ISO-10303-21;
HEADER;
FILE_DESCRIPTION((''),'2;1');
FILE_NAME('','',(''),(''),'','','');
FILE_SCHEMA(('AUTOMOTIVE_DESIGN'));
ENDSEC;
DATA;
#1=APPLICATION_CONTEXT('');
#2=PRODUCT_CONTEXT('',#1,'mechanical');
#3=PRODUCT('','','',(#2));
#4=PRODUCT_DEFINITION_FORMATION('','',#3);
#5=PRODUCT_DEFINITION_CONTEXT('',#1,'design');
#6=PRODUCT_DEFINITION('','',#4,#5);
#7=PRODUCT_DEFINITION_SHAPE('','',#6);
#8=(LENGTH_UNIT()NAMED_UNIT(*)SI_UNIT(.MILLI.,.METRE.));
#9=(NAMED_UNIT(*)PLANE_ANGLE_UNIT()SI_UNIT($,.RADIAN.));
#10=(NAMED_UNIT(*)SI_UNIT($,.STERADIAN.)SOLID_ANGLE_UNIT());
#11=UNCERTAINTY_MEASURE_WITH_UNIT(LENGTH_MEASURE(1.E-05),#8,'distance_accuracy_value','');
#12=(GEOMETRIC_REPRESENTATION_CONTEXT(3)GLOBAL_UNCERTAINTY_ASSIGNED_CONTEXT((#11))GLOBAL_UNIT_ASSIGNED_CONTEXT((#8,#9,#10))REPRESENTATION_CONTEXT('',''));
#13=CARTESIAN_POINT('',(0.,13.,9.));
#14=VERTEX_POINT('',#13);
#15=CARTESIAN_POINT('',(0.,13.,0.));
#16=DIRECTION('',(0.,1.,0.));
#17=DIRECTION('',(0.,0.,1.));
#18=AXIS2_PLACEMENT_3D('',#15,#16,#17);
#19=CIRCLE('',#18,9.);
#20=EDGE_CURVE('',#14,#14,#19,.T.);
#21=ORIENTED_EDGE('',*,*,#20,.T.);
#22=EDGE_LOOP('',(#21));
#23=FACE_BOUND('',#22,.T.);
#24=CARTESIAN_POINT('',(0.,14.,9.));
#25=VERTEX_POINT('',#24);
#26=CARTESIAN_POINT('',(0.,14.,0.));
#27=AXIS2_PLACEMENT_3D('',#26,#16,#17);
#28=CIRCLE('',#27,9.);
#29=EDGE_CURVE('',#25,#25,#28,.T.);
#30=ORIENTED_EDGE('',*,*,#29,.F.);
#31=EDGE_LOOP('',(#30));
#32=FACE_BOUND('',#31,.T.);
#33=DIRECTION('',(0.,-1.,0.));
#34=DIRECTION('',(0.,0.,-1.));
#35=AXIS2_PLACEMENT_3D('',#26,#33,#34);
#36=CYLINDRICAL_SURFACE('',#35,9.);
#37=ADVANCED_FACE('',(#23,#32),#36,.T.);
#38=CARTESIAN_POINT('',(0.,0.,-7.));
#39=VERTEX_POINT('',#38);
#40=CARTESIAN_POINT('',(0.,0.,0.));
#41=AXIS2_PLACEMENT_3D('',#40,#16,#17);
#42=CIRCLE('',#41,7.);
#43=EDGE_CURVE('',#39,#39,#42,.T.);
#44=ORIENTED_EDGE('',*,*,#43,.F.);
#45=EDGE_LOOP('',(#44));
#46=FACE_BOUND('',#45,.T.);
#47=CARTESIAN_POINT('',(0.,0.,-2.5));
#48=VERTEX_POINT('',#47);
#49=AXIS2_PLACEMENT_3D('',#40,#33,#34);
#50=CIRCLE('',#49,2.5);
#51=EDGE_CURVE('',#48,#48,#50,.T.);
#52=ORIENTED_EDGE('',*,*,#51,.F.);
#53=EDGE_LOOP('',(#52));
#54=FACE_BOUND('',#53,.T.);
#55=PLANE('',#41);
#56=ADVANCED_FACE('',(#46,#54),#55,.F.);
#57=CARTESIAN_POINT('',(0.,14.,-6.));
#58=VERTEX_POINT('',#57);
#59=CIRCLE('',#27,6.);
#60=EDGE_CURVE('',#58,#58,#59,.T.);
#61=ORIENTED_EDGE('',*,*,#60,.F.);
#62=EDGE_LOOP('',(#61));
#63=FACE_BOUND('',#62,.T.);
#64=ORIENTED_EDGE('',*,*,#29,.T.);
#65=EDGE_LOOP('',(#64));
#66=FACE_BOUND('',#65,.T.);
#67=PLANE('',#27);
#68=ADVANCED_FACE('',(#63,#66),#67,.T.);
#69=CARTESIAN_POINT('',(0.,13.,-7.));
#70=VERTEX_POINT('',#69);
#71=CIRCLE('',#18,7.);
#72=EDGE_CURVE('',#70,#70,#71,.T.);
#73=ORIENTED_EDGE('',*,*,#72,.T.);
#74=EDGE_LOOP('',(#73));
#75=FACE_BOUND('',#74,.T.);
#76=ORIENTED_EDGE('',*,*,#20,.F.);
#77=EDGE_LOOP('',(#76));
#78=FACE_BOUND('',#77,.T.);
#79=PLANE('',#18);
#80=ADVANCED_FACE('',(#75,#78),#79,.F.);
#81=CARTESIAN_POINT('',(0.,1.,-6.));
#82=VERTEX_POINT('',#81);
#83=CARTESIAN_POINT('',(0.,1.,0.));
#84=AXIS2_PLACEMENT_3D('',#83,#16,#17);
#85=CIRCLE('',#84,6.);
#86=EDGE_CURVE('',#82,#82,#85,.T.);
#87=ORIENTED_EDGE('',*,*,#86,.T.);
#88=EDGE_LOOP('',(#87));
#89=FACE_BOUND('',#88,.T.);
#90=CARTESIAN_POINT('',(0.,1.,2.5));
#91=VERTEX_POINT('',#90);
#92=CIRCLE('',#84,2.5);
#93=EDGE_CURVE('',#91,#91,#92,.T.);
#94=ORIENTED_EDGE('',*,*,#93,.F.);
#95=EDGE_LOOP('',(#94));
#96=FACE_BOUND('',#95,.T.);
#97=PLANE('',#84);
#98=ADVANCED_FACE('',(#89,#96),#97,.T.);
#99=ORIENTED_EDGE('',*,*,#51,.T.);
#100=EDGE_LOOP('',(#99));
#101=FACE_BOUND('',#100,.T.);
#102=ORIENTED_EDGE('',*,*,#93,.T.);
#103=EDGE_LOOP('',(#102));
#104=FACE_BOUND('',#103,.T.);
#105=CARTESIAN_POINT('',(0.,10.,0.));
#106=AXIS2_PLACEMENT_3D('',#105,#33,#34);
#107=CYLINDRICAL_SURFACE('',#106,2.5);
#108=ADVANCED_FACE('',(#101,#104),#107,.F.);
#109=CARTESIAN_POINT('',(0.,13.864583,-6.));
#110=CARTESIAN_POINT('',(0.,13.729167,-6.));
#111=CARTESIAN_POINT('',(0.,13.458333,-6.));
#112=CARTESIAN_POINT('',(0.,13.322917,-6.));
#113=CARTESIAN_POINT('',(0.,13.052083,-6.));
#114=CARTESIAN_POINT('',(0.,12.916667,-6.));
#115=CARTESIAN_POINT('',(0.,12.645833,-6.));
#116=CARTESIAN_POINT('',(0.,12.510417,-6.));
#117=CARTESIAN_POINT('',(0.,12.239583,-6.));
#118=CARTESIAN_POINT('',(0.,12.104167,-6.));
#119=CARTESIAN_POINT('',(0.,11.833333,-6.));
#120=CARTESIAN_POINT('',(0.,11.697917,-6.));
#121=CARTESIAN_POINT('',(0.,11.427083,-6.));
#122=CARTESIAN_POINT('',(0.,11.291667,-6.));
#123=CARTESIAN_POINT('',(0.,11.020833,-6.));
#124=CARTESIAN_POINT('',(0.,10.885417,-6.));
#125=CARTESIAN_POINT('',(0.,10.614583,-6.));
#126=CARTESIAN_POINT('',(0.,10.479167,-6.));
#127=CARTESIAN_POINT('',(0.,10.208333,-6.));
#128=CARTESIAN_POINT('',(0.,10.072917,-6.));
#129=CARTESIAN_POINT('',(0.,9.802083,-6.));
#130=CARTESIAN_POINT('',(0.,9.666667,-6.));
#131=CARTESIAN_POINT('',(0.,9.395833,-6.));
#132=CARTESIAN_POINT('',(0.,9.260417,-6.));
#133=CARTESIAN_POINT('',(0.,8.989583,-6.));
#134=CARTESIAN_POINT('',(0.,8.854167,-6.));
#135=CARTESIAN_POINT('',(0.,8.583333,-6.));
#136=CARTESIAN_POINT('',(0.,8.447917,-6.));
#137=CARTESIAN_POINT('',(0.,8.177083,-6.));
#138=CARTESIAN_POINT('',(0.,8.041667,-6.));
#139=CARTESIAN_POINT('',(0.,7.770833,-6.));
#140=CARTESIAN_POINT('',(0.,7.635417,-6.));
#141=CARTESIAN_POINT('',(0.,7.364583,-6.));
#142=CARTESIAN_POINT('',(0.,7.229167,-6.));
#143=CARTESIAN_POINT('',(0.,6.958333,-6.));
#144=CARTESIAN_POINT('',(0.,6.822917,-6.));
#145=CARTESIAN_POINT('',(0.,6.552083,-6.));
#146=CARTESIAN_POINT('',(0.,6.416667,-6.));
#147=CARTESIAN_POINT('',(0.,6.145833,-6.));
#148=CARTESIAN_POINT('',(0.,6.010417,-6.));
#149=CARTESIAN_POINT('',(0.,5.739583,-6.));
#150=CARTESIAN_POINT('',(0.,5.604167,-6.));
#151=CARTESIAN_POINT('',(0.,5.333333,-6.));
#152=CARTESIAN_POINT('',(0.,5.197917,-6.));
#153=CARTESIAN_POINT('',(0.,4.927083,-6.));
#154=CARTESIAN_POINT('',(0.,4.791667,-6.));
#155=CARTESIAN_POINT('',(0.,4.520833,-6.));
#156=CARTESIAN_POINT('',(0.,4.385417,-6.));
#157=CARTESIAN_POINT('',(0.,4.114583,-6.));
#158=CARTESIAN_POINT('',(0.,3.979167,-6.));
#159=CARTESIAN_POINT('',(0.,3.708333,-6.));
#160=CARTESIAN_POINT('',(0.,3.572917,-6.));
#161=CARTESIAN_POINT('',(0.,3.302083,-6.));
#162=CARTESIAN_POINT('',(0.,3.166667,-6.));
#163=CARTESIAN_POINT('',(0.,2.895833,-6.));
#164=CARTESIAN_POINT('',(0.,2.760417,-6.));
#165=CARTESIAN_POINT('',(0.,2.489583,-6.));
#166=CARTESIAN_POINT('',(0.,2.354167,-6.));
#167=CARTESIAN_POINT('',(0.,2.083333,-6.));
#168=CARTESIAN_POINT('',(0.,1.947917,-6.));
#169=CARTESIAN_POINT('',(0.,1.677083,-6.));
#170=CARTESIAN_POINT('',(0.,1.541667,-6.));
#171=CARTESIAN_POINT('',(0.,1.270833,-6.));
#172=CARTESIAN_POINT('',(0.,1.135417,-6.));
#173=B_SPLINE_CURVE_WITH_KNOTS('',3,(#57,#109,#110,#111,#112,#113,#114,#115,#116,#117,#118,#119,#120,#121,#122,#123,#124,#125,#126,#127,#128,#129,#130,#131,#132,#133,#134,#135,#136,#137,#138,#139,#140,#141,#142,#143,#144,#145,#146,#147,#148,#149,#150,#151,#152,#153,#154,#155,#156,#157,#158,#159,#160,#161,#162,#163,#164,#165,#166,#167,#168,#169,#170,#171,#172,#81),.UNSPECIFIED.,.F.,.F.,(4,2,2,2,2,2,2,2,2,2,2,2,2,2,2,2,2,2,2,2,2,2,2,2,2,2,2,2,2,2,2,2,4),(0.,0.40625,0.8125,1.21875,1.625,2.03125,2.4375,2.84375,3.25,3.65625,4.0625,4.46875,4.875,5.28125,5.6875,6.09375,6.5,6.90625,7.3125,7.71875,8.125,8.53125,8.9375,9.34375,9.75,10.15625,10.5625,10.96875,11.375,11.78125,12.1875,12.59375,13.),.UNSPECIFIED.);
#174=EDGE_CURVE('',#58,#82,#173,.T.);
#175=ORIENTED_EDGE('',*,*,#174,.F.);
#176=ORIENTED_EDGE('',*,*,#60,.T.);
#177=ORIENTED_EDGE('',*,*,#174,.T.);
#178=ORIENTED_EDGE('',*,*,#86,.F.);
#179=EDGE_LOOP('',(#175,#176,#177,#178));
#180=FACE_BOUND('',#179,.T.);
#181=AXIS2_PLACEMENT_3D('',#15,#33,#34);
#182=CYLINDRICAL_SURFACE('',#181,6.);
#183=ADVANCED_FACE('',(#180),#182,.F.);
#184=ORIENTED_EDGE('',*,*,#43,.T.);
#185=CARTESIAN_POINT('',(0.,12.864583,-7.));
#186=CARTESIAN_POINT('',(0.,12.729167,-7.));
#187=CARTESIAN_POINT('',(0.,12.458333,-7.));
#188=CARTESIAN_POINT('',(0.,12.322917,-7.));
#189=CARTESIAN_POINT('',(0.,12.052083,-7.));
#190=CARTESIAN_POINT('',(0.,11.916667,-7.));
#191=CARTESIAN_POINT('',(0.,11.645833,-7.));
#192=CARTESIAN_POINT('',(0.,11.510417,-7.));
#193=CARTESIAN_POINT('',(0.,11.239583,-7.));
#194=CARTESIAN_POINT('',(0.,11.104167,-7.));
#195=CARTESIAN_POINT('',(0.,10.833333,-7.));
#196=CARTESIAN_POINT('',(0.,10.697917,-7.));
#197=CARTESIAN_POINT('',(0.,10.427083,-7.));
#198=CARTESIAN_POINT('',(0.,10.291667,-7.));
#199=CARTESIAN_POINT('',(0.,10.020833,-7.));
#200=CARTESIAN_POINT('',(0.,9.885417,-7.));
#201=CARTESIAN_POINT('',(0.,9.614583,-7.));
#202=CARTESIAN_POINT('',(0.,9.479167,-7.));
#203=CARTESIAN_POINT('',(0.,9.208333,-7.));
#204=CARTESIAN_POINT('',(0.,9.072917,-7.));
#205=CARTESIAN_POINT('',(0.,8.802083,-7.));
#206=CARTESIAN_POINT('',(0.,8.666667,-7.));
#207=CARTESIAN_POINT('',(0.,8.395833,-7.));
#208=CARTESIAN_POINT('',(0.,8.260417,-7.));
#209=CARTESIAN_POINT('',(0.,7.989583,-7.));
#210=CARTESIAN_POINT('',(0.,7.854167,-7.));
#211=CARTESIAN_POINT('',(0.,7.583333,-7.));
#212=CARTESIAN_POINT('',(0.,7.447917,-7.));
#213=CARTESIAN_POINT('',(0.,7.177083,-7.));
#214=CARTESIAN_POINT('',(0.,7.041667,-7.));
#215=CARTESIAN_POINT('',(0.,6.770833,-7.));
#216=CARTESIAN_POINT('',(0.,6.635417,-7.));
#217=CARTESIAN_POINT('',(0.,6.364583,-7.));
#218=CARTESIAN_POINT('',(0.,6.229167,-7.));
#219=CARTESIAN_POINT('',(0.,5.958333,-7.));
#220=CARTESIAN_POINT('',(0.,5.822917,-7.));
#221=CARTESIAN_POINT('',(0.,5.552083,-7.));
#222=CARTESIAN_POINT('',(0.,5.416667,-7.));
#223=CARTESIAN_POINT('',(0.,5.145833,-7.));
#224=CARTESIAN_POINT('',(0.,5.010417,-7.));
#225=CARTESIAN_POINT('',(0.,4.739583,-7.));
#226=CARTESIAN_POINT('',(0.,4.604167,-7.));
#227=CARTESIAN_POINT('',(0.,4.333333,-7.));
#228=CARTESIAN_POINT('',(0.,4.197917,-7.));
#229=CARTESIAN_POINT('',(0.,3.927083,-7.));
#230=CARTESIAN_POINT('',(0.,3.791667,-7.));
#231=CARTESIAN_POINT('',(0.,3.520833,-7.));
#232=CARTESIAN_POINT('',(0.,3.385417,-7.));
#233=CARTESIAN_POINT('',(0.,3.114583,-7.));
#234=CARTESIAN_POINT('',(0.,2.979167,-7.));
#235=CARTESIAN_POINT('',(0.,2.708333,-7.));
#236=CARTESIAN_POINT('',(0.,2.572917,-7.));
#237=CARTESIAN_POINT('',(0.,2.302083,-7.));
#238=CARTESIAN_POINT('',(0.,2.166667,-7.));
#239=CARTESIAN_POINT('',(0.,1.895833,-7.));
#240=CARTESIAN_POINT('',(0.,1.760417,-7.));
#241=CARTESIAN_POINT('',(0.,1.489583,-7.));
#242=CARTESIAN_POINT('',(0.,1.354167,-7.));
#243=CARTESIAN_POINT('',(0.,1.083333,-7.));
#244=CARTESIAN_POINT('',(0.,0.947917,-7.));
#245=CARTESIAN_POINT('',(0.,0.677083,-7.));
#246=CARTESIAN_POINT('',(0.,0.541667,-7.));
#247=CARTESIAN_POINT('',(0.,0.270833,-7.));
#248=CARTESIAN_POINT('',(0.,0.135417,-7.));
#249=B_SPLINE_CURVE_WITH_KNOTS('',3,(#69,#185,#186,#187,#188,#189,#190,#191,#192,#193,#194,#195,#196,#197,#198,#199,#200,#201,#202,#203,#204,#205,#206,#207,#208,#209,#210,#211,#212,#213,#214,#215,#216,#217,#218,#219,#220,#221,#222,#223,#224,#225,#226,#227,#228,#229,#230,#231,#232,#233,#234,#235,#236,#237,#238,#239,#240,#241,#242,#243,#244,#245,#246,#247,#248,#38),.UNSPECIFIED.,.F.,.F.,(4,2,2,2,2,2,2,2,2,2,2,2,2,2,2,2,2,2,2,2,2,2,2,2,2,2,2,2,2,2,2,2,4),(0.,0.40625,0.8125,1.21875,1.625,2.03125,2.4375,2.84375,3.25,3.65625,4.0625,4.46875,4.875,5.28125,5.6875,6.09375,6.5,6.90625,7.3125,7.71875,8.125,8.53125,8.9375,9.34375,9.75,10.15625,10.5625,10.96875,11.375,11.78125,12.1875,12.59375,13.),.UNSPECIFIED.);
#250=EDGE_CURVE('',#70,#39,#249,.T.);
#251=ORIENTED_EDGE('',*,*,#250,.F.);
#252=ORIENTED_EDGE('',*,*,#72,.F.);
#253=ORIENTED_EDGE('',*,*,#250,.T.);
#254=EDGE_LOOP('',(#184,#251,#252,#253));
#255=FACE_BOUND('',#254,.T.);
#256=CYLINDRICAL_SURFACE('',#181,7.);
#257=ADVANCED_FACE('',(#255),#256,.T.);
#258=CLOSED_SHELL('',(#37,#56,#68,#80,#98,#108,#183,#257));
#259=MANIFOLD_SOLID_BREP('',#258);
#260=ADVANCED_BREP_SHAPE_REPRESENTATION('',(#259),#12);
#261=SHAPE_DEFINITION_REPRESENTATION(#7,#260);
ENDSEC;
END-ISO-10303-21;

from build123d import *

# Parameters (mm, degrees)
SKETCH1_R           = 7
BOSS_EXTRUDE1_DEPTH = 13
SHELL2_T            = -1
SKETCH2_R           = 2.5
CUT_EXTRUDE1_DEPTH  = 10
SKETCH3_R           = 9
BOSS_EXTRUDE2_DEPTH = 1
CUT_EXTRUDE2_START  = -2
SKETCH4_R           = 6
CUT_EXTRUDE2_DEPTH  = 2


with BuildPart() as part:
    # Sketch1 → Boss-Extrude1 (new body)
    with BuildSketch(Plane(origin=(0, 0, 0), x_dir=(1, 0, 0), z_dir=(0, 1, 0))):
        with Locations(Location((0, 0, 0), (0, 0, 90))):
            Circle(SKETCH1_R)
    extrude(amount=BOSS_EXTRUDE1_DEPTH)

    # Shell2
    shell2_openings = [part.faces().sort_by_distance(p)[0] for p in [
        (0, 13, 0),
    ]]
    offset(amount=SHELL2_T, openings=shell2_openings, kind=Kind.INTERSECTION)

    # Sketch2 → Cut-Extrude1 (cut)
    with BuildSketch(Plane.XZ):
        with Locations(Location((0, 0, 0), (0, 0, 270))):
            Circle(SKETCH2_R)
    extrude(amount=-CUT_EXTRUDE1_DEPTH, mode=Mode.SUBTRACT)

    # Sketch3 → Boss-Extrude2 (add)
    with BuildSketch(Plane(origin=(0, 13, 0), x_dir=(1, 0, 0), z_dir=(0, 1, 0))):
        with Locations(Location((0, 0, 0), (0, 0, 270))):
            Circle(SKETCH3_R)
    extrude(amount=BOSS_EXTRUDE2_DEPTH)

    # Sketch4 → Cut-Extrude2 (cut)
    with BuildSketch(Plane(origin=(0, 14, 0), x_dir=(1, 0, 0), z_dir=(0, 1, 0)).offset(CUT_EXTRUDE2_START)):
        with Locations(Location((0, 0, 0), (0, 0, 90))):
            Circle(SKETCH4_R)
    extrude(amount=CUT_EXTRUDE2_DEPTH, mode=Mode.SUBTRACT)


solid = part.part
